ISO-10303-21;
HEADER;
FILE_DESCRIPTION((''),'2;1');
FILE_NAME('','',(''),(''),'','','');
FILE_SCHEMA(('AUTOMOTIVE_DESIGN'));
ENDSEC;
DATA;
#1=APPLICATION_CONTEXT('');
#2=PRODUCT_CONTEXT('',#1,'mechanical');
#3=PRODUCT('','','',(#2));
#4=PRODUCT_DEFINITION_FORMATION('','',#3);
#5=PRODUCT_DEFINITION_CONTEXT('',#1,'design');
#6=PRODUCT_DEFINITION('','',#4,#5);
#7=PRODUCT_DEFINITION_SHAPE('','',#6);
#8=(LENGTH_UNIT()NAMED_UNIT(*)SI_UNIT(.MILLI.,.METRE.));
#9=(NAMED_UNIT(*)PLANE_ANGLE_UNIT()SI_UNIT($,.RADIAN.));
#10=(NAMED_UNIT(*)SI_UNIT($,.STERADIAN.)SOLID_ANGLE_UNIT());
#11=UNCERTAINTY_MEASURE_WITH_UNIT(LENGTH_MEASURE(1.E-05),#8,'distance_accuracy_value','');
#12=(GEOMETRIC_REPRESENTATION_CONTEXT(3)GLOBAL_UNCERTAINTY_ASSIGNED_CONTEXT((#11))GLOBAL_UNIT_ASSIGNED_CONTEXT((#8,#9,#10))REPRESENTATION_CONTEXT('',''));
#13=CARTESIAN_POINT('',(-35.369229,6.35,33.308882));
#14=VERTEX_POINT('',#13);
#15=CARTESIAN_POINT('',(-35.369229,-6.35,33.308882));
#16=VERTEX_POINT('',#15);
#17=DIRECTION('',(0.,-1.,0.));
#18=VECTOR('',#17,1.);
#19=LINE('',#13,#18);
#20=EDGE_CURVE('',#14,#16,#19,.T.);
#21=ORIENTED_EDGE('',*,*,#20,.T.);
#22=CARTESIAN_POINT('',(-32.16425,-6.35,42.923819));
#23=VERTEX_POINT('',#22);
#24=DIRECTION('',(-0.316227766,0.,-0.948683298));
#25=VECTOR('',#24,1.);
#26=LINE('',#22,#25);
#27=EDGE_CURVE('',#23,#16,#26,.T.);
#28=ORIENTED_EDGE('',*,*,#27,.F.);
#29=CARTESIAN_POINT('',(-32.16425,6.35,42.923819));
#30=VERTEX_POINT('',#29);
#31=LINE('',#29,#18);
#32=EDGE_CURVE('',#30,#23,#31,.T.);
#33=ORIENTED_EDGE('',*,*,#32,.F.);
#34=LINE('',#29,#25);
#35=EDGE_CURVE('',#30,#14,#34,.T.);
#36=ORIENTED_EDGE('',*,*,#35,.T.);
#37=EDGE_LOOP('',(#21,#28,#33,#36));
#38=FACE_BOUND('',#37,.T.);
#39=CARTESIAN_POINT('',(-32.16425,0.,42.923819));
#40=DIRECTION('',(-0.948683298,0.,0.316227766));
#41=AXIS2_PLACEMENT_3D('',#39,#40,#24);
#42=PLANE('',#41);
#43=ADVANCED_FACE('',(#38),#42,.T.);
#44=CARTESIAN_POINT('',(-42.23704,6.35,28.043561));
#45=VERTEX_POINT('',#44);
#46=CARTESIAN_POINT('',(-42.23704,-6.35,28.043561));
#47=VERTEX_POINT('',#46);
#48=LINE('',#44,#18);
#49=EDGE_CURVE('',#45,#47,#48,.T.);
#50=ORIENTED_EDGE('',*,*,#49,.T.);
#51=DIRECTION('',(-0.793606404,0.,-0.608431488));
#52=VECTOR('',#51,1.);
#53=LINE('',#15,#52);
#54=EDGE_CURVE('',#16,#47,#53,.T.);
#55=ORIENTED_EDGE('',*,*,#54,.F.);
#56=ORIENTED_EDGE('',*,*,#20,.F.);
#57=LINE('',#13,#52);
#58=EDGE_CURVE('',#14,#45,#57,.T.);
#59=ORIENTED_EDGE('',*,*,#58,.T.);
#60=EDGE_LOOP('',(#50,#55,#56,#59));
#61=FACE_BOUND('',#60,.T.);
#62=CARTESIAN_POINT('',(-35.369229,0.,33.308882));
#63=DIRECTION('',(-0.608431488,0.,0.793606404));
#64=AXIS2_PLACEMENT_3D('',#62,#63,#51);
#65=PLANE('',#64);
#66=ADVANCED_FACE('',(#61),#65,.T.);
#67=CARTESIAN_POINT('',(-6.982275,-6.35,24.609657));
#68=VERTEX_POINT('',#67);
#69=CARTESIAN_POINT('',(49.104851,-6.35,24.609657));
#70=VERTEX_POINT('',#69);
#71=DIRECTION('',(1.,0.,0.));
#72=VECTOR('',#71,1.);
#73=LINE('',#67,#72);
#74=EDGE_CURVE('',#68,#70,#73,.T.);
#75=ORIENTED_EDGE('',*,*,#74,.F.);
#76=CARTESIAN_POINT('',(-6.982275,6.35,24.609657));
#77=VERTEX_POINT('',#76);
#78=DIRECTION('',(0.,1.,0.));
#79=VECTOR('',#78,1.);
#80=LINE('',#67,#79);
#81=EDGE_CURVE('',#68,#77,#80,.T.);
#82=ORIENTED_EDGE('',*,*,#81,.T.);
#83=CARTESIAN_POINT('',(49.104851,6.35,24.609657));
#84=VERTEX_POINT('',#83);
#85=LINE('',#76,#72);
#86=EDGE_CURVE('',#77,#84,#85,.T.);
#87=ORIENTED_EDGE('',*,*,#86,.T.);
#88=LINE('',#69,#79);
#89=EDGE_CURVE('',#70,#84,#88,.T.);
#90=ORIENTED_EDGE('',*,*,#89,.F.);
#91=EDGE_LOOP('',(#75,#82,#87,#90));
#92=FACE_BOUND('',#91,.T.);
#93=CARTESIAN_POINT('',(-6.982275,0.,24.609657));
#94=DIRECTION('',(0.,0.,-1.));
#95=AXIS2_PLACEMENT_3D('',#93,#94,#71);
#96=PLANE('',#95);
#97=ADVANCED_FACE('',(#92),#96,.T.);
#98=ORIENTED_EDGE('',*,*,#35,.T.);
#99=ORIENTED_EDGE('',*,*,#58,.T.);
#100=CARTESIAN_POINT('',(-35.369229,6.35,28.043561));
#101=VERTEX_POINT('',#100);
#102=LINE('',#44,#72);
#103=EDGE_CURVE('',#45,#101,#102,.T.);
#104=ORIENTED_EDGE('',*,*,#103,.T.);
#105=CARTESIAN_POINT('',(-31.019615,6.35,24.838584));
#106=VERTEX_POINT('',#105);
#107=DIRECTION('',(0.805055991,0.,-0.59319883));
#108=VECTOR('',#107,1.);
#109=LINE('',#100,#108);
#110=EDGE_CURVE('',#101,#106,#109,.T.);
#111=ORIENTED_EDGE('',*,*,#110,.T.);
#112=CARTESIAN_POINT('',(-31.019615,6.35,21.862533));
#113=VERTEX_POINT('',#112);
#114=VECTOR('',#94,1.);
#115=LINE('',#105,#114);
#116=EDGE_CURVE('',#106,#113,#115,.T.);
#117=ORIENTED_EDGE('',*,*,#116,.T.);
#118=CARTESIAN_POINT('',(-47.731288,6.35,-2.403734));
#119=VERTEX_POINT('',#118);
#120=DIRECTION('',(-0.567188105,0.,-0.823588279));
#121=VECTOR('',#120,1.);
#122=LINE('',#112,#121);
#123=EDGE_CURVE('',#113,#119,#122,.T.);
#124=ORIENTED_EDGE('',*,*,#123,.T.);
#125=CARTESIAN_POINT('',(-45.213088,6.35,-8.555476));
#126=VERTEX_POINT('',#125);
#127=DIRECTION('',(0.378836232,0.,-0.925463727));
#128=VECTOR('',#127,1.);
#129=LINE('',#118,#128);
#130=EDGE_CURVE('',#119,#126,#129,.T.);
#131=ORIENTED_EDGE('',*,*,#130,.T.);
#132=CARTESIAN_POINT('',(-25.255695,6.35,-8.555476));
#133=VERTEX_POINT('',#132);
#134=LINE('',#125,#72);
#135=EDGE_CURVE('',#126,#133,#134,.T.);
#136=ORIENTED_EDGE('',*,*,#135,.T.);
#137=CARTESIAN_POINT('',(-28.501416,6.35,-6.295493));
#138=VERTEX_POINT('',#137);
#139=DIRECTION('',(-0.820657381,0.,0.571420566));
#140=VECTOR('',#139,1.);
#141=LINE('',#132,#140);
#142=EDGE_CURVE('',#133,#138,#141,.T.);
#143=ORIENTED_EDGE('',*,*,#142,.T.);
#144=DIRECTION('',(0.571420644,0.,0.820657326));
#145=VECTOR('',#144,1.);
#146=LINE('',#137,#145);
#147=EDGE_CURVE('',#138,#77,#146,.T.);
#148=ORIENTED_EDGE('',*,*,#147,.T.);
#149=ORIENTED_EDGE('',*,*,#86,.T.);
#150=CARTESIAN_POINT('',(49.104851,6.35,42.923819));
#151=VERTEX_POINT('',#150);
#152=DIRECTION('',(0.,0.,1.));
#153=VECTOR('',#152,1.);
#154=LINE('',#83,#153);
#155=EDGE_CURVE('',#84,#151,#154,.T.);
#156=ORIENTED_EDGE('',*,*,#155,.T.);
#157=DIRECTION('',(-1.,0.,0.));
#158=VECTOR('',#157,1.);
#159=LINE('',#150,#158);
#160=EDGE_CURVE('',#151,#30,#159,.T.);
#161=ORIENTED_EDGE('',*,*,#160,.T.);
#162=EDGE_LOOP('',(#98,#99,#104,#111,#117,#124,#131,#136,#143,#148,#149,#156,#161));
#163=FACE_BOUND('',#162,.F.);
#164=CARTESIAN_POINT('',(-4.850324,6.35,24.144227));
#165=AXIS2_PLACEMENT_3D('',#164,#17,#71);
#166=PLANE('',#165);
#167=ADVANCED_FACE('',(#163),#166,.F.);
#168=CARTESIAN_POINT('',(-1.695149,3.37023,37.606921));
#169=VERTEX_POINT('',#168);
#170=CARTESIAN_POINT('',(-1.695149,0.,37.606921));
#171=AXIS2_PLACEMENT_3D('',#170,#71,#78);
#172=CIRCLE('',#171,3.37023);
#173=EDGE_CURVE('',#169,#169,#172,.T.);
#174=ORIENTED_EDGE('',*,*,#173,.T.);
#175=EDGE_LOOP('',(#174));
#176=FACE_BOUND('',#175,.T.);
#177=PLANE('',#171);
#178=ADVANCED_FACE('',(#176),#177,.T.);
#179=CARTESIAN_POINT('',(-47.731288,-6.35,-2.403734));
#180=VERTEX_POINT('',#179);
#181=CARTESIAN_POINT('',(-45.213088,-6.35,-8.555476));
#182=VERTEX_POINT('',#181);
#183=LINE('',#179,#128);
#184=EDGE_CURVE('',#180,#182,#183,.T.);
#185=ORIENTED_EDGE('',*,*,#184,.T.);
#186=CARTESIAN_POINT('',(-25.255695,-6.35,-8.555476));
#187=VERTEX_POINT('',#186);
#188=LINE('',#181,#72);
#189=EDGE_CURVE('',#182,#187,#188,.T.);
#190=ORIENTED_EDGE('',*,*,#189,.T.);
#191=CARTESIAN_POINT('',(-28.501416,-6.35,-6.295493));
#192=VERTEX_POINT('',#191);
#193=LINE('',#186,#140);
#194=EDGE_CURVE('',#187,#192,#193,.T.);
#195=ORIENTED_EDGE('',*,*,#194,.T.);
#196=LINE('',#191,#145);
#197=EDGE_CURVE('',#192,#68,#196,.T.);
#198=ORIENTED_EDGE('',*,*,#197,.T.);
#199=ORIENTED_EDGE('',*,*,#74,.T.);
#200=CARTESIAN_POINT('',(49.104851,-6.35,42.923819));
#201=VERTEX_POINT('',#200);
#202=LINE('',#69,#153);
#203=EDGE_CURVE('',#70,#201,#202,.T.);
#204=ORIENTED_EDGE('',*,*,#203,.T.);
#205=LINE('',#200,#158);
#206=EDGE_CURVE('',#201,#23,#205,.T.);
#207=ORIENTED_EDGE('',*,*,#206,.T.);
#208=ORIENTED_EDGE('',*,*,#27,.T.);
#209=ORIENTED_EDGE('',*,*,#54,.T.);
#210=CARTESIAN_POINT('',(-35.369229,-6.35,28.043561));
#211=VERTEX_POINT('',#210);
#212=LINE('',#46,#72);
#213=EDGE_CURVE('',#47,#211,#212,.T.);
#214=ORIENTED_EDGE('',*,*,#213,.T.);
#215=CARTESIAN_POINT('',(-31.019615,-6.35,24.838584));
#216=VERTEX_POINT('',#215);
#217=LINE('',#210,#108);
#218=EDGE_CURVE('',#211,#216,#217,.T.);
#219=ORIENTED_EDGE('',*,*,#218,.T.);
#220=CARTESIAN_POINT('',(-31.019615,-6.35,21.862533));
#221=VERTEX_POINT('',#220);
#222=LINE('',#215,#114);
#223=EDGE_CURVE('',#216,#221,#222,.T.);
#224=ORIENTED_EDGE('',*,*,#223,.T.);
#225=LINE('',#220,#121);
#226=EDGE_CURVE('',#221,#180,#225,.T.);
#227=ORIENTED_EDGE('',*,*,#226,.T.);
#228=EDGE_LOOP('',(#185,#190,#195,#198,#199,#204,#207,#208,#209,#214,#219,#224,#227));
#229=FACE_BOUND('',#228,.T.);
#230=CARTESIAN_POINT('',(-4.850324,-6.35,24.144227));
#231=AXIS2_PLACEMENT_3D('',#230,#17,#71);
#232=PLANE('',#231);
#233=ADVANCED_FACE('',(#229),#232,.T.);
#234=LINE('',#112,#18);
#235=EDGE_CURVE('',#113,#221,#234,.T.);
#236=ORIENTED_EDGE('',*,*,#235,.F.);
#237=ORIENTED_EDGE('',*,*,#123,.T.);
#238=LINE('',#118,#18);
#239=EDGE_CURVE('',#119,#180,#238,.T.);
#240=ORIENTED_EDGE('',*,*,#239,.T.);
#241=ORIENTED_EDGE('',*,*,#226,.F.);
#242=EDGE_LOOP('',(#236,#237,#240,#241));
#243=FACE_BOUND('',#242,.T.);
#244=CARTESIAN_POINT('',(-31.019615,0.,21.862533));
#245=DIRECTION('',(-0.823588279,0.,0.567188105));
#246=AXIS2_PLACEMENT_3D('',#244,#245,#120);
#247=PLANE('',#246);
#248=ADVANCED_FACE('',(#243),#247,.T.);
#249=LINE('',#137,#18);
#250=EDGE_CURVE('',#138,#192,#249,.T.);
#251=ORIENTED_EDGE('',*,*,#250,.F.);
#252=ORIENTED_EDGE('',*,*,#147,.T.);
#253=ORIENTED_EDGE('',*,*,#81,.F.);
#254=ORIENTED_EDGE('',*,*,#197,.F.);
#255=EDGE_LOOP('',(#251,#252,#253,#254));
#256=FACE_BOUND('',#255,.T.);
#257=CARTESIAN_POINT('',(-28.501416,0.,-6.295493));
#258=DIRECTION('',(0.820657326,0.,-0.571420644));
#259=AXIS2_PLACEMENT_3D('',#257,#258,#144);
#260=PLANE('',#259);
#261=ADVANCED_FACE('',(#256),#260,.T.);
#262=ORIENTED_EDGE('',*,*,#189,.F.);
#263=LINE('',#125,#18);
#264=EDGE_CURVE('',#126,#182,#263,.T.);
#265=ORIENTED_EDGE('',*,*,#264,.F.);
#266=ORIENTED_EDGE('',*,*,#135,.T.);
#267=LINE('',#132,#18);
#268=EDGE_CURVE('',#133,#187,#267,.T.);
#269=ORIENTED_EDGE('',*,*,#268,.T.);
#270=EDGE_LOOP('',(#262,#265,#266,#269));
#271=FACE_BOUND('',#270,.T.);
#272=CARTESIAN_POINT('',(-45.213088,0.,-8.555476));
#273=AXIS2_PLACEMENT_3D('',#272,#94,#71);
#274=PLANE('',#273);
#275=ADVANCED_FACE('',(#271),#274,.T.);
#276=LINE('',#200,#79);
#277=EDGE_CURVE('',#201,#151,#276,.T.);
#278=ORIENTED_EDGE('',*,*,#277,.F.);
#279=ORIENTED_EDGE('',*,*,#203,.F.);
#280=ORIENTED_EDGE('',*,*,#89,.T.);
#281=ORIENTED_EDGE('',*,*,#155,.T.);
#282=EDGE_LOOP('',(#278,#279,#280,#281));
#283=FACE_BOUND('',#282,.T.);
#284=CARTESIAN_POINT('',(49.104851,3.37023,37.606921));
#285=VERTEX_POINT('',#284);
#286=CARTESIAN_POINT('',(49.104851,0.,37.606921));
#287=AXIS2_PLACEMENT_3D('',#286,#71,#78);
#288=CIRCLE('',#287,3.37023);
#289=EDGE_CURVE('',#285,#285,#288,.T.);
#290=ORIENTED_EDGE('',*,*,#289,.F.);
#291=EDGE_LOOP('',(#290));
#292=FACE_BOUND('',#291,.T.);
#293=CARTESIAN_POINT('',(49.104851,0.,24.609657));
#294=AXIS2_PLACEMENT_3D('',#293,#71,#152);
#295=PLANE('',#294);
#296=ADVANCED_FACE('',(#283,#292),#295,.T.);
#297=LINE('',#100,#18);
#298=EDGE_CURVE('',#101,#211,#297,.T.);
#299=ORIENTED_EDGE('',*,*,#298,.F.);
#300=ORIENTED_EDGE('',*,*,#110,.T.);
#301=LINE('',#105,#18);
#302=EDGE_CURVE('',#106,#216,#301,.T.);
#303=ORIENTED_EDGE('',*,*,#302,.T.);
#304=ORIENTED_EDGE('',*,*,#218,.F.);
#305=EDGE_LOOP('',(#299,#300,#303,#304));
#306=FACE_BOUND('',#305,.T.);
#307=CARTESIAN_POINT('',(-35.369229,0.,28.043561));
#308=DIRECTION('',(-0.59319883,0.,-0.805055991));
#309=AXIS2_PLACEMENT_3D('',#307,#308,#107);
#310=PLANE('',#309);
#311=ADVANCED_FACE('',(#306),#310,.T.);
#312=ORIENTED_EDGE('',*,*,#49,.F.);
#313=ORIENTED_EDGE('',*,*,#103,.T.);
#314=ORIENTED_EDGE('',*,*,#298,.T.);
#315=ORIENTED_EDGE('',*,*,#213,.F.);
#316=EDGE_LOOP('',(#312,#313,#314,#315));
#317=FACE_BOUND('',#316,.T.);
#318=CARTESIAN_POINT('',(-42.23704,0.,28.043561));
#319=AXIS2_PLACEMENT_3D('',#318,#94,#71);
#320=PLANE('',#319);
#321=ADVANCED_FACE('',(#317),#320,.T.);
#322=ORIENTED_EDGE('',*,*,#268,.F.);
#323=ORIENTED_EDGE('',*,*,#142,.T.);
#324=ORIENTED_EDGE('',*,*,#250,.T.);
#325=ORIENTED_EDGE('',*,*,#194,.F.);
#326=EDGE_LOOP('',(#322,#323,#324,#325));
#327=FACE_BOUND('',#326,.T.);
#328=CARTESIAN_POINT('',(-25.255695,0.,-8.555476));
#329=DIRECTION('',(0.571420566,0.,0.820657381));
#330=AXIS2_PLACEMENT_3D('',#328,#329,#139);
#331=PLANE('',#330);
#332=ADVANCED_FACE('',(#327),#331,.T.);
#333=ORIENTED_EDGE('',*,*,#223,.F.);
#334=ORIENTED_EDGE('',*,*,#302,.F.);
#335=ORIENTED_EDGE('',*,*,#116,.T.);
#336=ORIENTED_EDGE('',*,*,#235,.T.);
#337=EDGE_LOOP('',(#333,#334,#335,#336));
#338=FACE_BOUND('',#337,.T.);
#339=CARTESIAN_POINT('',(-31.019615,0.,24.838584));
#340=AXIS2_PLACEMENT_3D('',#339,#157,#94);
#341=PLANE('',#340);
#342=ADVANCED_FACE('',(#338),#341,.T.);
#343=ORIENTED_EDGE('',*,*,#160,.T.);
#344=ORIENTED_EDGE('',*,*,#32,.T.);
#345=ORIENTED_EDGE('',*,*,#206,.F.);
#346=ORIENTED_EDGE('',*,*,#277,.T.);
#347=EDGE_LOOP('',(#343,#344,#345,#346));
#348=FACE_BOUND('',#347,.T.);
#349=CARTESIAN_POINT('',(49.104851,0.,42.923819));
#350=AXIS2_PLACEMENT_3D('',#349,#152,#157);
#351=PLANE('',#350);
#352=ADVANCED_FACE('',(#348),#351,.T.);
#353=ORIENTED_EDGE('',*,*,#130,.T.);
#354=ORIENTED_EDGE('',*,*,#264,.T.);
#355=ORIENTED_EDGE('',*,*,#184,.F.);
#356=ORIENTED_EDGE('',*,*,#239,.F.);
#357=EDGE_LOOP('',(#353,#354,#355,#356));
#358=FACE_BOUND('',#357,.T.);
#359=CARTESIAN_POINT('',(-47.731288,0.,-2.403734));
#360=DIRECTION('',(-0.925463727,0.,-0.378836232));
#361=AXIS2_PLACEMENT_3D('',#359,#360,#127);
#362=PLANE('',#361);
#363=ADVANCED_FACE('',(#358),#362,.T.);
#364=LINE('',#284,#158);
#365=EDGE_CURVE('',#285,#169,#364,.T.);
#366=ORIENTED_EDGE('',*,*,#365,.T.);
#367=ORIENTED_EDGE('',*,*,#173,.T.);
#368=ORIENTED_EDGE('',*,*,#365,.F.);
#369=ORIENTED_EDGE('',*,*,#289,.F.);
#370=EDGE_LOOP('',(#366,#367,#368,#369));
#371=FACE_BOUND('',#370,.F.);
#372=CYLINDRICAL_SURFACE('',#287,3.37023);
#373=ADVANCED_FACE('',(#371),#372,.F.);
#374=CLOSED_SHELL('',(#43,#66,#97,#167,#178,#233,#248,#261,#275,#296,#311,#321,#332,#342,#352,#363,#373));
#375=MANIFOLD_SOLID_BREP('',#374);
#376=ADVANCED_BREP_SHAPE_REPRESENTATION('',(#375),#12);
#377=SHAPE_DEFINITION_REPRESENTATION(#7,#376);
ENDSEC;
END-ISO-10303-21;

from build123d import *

# Parameters (mm, degrees)
F1_DEPTH = 6.35
F2_R     = 3.37023
F3_DEPTH = 50.8


with BuildPart() as f1:
    # F0 (on Front) → F1 (new body, symmetric)
    with BuildSketch(Plane.XZ):
        Polygon((49.104851, 42.923819), (-32.16425, 42.923819), (-35.369229, 33.308882), (-42.23704, 28.043561), (-35.369229, 28.043561), (-31.019615, 24.838584), (-31.019615, 21.862533), (-47.731288, -2.403734), (-45.213088, -8.555476), (-25.255695, -8.555476), (-28.501416, -6.295493), (-6.982275, 24.609657), (49.104851, 24.609657), align=None)
    extrude(amount=F1_DEPTH, both=True)

    # F2 (on face) → F3 (cut)
    with BuildSketch(Plane.YZ.offset(49.104851)):
        with Locations((0, 37.606921)):
            Circle(F2_R)
    extrude(amount=-F3_DEPTH, mode=Mode.SUBTRACT)


solid = f1.part
